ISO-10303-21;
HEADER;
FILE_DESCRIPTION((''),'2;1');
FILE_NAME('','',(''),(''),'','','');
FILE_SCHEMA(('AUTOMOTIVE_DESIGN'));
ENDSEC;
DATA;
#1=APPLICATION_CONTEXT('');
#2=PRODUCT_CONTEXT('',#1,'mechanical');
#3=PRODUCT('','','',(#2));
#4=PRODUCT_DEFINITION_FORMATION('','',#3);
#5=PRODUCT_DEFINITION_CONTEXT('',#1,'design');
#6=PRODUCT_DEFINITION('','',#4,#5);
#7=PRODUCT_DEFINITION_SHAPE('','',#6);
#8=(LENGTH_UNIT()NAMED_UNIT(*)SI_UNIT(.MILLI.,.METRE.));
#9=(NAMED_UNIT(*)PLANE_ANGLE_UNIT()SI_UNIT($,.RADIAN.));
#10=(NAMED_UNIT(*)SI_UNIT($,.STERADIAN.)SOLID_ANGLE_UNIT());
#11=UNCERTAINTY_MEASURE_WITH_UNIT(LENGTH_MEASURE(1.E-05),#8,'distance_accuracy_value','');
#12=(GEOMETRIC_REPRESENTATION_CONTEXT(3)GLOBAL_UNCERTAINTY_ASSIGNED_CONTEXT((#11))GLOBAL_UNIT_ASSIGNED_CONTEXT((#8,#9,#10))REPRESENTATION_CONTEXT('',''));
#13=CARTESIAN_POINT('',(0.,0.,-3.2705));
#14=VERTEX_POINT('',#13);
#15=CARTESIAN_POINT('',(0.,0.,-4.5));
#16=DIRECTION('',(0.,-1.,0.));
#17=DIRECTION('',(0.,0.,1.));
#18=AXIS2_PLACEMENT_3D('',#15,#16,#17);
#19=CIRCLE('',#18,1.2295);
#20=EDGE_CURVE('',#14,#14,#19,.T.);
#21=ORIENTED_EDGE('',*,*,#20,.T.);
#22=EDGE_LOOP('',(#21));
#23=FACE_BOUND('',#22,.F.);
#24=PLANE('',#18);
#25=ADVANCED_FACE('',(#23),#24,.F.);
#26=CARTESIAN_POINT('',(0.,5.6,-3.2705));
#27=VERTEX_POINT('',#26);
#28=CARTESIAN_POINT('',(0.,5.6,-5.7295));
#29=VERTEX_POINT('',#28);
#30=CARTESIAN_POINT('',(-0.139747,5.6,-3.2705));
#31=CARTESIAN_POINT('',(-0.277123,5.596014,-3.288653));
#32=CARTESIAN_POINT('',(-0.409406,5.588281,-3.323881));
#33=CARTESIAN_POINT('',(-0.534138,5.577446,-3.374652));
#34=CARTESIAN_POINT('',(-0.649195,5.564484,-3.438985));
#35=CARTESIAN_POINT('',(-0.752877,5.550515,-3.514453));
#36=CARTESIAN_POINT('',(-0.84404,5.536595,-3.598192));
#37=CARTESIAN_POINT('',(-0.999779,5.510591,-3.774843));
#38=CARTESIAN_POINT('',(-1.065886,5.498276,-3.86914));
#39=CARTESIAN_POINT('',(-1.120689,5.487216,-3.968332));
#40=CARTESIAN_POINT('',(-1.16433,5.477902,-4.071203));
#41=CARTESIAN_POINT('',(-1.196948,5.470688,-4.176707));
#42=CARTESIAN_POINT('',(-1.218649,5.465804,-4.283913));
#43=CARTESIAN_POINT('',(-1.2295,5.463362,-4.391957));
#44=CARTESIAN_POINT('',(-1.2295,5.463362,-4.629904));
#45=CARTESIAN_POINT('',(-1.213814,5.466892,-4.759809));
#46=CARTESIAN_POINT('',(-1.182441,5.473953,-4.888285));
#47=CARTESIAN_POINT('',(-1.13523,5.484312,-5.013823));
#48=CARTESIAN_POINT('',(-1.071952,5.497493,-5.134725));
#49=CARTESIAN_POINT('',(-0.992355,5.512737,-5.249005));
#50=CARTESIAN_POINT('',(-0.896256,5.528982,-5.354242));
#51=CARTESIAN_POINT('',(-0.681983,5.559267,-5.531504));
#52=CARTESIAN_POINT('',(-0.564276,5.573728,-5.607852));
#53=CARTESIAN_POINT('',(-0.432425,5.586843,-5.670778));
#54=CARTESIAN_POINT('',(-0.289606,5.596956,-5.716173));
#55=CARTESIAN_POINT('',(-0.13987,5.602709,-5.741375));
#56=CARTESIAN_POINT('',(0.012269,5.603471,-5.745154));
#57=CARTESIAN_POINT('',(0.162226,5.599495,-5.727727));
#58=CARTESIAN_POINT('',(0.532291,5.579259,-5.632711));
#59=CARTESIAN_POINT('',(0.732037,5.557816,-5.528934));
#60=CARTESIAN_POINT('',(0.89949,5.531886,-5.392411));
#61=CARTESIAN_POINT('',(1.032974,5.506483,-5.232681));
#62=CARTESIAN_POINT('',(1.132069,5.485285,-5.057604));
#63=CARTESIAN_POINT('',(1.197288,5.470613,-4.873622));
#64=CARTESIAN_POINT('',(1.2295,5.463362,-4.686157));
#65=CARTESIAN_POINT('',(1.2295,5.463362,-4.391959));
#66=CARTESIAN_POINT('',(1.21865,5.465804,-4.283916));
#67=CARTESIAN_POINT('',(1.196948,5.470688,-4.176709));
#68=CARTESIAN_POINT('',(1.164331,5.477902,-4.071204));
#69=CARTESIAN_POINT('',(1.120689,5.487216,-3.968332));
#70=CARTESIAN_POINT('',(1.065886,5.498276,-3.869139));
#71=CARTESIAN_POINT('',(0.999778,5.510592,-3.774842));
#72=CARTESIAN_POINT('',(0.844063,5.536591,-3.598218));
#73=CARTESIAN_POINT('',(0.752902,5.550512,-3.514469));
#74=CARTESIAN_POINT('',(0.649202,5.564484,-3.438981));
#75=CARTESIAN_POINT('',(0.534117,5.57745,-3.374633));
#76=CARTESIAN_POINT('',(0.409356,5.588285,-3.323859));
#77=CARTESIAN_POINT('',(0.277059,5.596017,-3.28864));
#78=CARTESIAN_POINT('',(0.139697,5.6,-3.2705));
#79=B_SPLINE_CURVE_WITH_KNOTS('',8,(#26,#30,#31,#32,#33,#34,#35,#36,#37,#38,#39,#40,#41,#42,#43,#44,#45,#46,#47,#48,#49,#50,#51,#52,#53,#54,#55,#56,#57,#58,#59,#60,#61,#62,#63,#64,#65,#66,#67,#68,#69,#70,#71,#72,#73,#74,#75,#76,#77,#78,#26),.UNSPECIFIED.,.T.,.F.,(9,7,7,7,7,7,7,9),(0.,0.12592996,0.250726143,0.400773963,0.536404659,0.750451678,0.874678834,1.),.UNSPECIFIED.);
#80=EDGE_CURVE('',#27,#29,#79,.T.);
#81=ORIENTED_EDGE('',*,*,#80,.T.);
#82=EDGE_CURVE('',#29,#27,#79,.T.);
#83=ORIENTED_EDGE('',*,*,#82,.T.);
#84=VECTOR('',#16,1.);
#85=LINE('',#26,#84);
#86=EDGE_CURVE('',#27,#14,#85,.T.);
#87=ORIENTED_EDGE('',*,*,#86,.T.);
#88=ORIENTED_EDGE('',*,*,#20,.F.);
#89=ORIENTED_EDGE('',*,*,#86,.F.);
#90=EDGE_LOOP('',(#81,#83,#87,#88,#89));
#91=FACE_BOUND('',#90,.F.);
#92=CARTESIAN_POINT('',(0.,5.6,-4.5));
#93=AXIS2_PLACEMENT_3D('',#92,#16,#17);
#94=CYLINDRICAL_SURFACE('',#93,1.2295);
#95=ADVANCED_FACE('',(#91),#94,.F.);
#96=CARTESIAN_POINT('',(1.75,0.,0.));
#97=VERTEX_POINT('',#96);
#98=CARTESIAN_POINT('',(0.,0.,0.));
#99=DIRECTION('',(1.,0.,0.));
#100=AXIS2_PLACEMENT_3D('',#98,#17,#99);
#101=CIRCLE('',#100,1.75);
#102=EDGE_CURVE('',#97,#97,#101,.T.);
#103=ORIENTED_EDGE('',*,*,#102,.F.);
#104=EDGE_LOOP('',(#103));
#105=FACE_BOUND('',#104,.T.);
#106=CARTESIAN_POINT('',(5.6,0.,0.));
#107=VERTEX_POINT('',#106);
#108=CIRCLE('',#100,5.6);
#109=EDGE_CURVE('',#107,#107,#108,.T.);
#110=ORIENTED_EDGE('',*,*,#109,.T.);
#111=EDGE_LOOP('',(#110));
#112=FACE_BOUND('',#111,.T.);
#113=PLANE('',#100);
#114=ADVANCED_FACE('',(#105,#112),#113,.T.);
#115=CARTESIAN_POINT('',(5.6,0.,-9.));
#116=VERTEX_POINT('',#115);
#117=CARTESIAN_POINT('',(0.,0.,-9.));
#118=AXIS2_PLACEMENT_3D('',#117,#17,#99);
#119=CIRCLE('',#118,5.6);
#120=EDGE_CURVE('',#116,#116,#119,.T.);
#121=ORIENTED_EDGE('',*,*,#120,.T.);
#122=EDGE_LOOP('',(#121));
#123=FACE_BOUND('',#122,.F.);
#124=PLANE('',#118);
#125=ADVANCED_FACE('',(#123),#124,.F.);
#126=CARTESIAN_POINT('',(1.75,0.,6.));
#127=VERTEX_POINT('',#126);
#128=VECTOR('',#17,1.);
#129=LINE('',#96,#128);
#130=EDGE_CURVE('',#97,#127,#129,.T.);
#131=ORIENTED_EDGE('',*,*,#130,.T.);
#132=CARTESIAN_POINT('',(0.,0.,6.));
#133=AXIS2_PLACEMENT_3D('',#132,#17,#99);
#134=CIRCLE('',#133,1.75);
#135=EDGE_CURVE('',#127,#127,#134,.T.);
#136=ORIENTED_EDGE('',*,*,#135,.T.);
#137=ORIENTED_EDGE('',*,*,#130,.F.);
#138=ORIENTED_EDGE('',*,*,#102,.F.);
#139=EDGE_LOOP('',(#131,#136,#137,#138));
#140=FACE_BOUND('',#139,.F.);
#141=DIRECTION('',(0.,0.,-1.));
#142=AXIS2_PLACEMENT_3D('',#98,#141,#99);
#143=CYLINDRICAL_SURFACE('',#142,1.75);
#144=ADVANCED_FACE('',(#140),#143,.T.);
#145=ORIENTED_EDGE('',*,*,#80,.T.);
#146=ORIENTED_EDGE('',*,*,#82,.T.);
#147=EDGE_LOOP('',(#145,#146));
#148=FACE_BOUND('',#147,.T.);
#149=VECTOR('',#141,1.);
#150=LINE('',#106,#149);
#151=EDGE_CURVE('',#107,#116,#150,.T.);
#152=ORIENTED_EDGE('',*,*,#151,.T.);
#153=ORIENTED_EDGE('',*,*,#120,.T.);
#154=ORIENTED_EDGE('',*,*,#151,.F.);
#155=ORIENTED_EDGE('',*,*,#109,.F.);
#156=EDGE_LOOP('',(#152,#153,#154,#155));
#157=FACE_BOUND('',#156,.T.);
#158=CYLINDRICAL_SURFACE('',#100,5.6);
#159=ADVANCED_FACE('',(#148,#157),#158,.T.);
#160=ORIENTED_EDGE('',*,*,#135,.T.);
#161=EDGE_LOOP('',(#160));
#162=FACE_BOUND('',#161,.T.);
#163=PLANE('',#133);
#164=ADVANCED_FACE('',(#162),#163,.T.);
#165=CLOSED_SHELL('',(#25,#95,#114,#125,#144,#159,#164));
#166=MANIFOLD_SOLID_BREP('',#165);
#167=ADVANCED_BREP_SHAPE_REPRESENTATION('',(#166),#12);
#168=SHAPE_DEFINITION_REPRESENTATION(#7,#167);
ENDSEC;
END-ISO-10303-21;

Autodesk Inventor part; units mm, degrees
ref_plane "YZ Plane" through (0, 0, 0) normal (1, 0, 0) x (0, 1, 0)
ref_plane "XZ Plane" through (0, 0, 0) normal (0, 1, 0) x (-1, 0, 0)
sketch "Sketch1" plane through (0, 0, 0) normal (0, 0, 1) x (1, 0, 0)
  circle A0 centre (0, 0) radius 5.6
  dimension "d0" = 11.2
extrude "Extrusion1" add sketch "Sketch1" against normal blind 9
ref_plane "Work Plane1" through (-5.6, 5.6, 0) normal (0, 1, 0) x (1, 0, 0)
sketch "Sketch3" plane through (-5.6, 5.6, 0) normal (0, 1, 0) x (1, 0, 0)
  circle A0 centre (5.6, 4.5) radius 1.2
  point P0 (5.6, 0)
  dimension "d9" = 2.4
hole "Hole1" at (0, 5.6, -4.5) direction (0, -1, 0) diameter 2.459 depth 5.6 thread size "M3x0.5" designation "M3" class "6H" standard "GB Metric profile"
sketch "Sketch4" plane through (0, 0, 0) normal (0, 0, 1) x (1, 0, 0)
  circle A0 centre (0, 0) radius 5.6 projected
  circle A1 centre (0, 0) radius 1.75
  dimension "d17" = 3.5
extrude "Extrusion3" add sketch "Sketch4" along normal blind 6 contours A1
properties part number "gear motor"
